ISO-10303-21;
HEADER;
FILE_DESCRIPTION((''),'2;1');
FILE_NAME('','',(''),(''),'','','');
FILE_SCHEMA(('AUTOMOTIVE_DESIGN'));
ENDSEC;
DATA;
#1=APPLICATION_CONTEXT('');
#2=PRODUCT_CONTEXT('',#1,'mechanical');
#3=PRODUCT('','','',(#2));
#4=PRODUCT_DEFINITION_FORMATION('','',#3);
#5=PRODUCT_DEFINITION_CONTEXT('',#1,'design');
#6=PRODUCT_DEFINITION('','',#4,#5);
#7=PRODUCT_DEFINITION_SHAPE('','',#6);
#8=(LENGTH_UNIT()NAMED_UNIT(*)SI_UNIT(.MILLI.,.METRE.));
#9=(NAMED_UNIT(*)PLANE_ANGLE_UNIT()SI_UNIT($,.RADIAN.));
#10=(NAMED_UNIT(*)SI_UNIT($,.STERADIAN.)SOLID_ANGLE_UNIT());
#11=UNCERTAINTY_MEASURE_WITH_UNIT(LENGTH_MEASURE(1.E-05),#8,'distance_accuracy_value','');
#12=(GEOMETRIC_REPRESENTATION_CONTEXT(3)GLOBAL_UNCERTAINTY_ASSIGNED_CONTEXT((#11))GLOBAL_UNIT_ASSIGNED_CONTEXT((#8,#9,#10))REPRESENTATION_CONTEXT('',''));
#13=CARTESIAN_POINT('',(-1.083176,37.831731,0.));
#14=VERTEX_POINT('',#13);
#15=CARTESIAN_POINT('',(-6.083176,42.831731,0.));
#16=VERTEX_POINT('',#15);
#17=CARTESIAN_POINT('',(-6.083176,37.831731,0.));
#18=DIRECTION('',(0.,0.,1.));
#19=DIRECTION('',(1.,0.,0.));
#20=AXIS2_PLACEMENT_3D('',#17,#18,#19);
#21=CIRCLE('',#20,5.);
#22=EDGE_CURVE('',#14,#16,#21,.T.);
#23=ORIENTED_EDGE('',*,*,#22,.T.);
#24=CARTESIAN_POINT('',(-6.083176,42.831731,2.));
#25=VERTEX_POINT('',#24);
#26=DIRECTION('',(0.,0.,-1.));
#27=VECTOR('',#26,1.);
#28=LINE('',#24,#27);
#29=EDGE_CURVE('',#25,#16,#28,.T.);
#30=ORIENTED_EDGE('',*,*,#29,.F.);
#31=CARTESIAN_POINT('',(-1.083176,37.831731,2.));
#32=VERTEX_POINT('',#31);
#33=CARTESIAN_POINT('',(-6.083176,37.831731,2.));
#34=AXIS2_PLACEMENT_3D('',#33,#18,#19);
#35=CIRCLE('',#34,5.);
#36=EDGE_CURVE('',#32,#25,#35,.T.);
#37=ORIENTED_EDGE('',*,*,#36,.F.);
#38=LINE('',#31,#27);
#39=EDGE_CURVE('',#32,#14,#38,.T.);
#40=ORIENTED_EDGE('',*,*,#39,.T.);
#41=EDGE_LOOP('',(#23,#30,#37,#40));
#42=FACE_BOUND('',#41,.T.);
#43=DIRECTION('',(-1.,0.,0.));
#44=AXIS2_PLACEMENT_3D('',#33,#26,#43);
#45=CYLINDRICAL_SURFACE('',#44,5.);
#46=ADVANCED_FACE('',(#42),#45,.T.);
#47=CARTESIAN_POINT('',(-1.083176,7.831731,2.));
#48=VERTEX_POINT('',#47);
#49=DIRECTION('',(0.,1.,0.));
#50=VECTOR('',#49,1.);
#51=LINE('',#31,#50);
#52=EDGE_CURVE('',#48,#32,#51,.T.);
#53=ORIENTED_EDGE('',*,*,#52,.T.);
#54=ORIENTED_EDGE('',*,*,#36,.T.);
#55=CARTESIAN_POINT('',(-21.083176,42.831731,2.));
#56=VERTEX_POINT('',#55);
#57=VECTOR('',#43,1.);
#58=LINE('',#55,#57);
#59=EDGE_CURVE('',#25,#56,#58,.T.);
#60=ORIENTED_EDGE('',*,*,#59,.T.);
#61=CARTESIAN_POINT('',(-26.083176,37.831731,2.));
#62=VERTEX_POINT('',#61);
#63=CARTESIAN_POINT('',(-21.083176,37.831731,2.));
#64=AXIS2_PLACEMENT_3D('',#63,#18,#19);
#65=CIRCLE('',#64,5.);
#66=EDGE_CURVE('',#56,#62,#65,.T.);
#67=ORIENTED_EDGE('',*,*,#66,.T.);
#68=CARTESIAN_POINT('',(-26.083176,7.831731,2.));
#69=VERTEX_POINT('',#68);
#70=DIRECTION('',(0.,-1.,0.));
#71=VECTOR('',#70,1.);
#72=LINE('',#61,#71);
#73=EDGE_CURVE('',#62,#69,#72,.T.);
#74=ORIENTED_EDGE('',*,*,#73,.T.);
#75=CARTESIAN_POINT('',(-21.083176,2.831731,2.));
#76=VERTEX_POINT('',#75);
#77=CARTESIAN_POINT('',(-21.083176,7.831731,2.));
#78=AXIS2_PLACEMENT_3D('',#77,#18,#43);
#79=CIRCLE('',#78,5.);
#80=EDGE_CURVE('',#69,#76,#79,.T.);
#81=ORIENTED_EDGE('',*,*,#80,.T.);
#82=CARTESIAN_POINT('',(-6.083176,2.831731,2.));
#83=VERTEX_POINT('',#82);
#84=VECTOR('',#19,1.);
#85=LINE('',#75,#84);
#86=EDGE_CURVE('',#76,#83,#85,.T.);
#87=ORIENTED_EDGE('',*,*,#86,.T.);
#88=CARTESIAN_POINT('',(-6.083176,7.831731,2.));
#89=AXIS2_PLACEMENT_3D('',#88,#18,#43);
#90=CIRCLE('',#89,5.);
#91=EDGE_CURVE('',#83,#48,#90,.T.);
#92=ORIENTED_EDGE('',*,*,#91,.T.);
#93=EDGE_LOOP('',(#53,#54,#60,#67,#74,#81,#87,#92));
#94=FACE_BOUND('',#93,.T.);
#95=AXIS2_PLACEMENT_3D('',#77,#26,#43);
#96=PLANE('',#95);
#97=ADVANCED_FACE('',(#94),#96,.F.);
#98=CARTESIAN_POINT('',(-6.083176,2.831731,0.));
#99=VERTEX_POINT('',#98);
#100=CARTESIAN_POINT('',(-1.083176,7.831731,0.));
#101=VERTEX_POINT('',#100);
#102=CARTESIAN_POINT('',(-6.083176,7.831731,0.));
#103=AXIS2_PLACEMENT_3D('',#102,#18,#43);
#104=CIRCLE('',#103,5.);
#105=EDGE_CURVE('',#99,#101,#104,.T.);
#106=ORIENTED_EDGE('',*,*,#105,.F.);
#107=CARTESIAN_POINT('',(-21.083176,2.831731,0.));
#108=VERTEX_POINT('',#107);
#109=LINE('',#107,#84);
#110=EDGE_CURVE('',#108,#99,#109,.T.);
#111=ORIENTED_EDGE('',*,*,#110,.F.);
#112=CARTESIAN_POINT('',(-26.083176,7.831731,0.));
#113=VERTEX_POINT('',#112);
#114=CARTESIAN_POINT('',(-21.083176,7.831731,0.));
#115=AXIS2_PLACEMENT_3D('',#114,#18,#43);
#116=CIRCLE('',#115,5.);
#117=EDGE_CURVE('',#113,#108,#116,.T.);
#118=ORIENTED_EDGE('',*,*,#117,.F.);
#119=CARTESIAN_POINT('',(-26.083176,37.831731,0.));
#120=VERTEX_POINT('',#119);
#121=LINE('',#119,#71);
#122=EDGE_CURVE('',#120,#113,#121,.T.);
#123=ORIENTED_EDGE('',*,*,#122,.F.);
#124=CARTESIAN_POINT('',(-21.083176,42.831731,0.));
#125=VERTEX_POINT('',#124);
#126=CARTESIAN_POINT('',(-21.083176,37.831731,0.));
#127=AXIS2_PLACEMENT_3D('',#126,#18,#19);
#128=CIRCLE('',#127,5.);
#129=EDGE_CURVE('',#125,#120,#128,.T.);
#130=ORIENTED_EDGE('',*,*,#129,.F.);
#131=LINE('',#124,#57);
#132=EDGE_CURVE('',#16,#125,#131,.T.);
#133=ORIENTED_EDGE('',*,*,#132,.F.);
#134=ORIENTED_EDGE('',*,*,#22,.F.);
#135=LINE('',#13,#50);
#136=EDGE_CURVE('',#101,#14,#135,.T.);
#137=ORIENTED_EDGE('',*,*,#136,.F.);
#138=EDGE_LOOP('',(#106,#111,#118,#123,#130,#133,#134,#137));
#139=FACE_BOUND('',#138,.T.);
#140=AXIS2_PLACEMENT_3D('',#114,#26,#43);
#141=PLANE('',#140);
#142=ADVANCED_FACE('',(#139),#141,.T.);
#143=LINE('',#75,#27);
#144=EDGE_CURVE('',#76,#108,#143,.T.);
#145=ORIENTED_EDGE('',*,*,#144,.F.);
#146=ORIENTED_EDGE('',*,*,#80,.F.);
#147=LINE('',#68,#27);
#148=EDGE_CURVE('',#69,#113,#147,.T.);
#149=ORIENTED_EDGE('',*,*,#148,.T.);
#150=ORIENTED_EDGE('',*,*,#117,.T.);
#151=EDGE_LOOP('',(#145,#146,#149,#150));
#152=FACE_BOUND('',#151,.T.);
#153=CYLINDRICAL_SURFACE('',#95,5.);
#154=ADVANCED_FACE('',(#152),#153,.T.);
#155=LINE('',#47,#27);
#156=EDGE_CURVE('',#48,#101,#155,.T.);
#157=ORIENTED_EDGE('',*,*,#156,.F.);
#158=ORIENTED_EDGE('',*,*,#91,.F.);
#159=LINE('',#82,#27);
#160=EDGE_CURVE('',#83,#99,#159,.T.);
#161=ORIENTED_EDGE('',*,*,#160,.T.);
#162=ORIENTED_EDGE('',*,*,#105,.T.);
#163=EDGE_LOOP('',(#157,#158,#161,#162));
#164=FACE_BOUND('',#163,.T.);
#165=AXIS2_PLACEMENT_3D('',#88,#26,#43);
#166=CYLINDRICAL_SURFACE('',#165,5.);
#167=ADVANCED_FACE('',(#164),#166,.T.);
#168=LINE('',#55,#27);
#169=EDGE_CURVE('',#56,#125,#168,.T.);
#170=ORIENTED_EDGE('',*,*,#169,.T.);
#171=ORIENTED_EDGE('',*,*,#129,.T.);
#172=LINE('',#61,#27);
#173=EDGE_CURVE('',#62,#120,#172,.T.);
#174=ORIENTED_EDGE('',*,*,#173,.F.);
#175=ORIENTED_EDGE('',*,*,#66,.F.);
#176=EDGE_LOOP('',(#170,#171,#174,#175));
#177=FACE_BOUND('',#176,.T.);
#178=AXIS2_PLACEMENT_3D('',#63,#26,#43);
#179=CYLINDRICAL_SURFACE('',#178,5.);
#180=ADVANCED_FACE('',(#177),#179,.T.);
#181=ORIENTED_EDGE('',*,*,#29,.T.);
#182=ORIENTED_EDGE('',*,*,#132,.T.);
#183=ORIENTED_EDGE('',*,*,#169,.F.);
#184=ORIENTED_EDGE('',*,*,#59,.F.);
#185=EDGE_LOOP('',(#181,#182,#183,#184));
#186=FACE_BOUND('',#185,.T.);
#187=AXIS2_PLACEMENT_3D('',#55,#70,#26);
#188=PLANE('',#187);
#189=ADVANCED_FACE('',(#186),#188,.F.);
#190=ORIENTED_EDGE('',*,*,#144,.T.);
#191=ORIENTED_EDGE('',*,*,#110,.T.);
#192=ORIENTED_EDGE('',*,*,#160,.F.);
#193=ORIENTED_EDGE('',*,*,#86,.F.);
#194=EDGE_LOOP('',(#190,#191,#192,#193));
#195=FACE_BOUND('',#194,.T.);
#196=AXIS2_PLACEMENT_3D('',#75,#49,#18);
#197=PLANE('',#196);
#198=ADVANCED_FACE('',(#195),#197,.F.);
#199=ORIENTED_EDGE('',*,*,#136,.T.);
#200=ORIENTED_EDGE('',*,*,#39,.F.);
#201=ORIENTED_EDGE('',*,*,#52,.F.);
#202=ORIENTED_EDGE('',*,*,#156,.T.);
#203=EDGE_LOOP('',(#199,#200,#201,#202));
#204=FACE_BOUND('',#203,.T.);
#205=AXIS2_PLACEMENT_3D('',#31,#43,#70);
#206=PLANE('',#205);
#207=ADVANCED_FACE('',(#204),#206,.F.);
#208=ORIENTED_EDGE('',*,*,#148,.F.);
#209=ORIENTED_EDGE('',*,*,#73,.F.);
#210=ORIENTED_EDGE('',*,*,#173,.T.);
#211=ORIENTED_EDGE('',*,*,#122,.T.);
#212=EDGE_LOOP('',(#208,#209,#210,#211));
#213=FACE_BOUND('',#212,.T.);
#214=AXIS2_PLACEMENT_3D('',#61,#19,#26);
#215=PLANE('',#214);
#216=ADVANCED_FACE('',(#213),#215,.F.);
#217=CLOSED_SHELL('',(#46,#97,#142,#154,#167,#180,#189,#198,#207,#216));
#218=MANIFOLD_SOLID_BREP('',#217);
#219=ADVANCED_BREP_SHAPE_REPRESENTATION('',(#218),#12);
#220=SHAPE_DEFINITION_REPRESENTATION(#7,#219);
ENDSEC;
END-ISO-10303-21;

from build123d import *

# Parameters (mm, degrees)
SALIENTE_EXTRUIR1_DEPTH = 2


with BuildPart() as part:
    # Croquis1 → Saliente-Extruir1 (new body)
    with BuildSketch(Plane.XY):
        with BuildLine():
            Line((-21.083176362, 42.831730769), (-6.083176362, 42.831730769))
            ThreePointArc((-6.083176362, 42.831730769), (-2.547642456, 41.367264675), (-1.083176362, 37.831730769))
            Line((-1.083176362, 37.831730769), (-1.083176362, 7.831730769))
            ThreePointArc((-1.083176362, 7.831730769), (-2.547642456, 4.296196863), (-6.083176362, 2.831730769))
            Line((-6.083176362, 2.831730769), (-21.083176362, 2.831730769))
            ThreePointArc((-21.083176362, 2.831730769), (-24.618710268, 4.296196863), (-26.083176362, 7.831730769))
            Line((-26.083176362, 7.831730769), (-26.083176362, 37.831730769))
            ThreePointArc((-26.083176362, 37.831730769), (-24.618710268, 41.367264675), (-21.083176362, 42.831730769))
        make_face()
    extrude(amount=SALIENTE_EXTRUIR1_DEPTH)


solid = part.part
